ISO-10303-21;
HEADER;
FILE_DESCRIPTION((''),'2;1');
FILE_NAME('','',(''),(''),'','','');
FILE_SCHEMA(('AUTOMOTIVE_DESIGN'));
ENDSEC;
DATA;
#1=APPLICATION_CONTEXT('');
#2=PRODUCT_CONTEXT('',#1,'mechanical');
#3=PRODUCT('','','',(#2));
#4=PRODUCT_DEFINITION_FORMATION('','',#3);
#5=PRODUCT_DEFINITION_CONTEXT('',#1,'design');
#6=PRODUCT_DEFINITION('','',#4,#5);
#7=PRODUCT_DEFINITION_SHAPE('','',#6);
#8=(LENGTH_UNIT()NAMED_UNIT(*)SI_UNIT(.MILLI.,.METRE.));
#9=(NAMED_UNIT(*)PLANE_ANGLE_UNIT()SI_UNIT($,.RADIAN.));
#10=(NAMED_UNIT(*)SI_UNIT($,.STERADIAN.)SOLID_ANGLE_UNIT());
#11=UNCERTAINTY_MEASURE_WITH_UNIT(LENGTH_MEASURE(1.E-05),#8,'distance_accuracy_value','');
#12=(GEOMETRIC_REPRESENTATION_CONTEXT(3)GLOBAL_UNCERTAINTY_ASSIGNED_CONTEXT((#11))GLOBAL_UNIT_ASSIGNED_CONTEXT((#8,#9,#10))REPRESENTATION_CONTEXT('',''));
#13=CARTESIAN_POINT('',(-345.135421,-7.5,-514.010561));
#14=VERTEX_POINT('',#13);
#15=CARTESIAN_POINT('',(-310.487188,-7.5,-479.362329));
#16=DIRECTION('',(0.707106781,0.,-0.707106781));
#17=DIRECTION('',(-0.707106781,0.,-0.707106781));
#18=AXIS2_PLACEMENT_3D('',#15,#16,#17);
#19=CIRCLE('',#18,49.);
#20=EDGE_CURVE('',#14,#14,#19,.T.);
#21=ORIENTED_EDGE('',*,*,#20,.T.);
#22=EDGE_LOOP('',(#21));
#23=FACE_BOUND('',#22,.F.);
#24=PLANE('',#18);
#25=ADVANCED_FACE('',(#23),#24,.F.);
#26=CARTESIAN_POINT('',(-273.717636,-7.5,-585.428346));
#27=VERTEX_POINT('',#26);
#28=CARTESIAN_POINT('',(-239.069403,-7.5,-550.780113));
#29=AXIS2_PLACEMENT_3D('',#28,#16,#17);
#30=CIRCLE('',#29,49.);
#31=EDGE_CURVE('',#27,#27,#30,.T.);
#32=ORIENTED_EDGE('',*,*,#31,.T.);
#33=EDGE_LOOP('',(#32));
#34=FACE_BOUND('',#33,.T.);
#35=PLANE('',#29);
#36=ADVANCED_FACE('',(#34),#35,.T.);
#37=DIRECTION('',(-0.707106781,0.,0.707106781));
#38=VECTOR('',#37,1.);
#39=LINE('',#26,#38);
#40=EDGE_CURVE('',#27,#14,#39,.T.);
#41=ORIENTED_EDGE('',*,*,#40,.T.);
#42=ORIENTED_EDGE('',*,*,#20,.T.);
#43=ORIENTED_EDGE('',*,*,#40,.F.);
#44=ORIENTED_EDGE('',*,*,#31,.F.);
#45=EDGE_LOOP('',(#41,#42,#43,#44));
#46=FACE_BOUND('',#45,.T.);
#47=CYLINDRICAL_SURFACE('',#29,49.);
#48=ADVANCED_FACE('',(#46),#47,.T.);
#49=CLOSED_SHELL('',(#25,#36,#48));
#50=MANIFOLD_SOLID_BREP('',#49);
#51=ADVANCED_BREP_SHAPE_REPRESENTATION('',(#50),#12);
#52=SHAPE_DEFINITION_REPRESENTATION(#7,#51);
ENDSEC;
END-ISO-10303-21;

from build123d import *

# Parameters (mm, degrees)
SKETCH1_R           = 49
BOSS_EXTRUDE1_DEPTH = 101


with BuildPart() as part:
    # Sketch1 → Boss-Extrude1 (new body)
    with BuildSketch(Plane(origin=(155.855354978, 0, -155.855354978), x_dir=(-0.707106781, 0, -0.707106781), z_dir=(0.707106781, 0, -0.707106781))):
        with Locations((558.507949545, -7.5)):
            Circle(SKETCH1_R)
    extrude(amount=-BOSS_EXTRUDE1_DEPTH)


solid = part.part
